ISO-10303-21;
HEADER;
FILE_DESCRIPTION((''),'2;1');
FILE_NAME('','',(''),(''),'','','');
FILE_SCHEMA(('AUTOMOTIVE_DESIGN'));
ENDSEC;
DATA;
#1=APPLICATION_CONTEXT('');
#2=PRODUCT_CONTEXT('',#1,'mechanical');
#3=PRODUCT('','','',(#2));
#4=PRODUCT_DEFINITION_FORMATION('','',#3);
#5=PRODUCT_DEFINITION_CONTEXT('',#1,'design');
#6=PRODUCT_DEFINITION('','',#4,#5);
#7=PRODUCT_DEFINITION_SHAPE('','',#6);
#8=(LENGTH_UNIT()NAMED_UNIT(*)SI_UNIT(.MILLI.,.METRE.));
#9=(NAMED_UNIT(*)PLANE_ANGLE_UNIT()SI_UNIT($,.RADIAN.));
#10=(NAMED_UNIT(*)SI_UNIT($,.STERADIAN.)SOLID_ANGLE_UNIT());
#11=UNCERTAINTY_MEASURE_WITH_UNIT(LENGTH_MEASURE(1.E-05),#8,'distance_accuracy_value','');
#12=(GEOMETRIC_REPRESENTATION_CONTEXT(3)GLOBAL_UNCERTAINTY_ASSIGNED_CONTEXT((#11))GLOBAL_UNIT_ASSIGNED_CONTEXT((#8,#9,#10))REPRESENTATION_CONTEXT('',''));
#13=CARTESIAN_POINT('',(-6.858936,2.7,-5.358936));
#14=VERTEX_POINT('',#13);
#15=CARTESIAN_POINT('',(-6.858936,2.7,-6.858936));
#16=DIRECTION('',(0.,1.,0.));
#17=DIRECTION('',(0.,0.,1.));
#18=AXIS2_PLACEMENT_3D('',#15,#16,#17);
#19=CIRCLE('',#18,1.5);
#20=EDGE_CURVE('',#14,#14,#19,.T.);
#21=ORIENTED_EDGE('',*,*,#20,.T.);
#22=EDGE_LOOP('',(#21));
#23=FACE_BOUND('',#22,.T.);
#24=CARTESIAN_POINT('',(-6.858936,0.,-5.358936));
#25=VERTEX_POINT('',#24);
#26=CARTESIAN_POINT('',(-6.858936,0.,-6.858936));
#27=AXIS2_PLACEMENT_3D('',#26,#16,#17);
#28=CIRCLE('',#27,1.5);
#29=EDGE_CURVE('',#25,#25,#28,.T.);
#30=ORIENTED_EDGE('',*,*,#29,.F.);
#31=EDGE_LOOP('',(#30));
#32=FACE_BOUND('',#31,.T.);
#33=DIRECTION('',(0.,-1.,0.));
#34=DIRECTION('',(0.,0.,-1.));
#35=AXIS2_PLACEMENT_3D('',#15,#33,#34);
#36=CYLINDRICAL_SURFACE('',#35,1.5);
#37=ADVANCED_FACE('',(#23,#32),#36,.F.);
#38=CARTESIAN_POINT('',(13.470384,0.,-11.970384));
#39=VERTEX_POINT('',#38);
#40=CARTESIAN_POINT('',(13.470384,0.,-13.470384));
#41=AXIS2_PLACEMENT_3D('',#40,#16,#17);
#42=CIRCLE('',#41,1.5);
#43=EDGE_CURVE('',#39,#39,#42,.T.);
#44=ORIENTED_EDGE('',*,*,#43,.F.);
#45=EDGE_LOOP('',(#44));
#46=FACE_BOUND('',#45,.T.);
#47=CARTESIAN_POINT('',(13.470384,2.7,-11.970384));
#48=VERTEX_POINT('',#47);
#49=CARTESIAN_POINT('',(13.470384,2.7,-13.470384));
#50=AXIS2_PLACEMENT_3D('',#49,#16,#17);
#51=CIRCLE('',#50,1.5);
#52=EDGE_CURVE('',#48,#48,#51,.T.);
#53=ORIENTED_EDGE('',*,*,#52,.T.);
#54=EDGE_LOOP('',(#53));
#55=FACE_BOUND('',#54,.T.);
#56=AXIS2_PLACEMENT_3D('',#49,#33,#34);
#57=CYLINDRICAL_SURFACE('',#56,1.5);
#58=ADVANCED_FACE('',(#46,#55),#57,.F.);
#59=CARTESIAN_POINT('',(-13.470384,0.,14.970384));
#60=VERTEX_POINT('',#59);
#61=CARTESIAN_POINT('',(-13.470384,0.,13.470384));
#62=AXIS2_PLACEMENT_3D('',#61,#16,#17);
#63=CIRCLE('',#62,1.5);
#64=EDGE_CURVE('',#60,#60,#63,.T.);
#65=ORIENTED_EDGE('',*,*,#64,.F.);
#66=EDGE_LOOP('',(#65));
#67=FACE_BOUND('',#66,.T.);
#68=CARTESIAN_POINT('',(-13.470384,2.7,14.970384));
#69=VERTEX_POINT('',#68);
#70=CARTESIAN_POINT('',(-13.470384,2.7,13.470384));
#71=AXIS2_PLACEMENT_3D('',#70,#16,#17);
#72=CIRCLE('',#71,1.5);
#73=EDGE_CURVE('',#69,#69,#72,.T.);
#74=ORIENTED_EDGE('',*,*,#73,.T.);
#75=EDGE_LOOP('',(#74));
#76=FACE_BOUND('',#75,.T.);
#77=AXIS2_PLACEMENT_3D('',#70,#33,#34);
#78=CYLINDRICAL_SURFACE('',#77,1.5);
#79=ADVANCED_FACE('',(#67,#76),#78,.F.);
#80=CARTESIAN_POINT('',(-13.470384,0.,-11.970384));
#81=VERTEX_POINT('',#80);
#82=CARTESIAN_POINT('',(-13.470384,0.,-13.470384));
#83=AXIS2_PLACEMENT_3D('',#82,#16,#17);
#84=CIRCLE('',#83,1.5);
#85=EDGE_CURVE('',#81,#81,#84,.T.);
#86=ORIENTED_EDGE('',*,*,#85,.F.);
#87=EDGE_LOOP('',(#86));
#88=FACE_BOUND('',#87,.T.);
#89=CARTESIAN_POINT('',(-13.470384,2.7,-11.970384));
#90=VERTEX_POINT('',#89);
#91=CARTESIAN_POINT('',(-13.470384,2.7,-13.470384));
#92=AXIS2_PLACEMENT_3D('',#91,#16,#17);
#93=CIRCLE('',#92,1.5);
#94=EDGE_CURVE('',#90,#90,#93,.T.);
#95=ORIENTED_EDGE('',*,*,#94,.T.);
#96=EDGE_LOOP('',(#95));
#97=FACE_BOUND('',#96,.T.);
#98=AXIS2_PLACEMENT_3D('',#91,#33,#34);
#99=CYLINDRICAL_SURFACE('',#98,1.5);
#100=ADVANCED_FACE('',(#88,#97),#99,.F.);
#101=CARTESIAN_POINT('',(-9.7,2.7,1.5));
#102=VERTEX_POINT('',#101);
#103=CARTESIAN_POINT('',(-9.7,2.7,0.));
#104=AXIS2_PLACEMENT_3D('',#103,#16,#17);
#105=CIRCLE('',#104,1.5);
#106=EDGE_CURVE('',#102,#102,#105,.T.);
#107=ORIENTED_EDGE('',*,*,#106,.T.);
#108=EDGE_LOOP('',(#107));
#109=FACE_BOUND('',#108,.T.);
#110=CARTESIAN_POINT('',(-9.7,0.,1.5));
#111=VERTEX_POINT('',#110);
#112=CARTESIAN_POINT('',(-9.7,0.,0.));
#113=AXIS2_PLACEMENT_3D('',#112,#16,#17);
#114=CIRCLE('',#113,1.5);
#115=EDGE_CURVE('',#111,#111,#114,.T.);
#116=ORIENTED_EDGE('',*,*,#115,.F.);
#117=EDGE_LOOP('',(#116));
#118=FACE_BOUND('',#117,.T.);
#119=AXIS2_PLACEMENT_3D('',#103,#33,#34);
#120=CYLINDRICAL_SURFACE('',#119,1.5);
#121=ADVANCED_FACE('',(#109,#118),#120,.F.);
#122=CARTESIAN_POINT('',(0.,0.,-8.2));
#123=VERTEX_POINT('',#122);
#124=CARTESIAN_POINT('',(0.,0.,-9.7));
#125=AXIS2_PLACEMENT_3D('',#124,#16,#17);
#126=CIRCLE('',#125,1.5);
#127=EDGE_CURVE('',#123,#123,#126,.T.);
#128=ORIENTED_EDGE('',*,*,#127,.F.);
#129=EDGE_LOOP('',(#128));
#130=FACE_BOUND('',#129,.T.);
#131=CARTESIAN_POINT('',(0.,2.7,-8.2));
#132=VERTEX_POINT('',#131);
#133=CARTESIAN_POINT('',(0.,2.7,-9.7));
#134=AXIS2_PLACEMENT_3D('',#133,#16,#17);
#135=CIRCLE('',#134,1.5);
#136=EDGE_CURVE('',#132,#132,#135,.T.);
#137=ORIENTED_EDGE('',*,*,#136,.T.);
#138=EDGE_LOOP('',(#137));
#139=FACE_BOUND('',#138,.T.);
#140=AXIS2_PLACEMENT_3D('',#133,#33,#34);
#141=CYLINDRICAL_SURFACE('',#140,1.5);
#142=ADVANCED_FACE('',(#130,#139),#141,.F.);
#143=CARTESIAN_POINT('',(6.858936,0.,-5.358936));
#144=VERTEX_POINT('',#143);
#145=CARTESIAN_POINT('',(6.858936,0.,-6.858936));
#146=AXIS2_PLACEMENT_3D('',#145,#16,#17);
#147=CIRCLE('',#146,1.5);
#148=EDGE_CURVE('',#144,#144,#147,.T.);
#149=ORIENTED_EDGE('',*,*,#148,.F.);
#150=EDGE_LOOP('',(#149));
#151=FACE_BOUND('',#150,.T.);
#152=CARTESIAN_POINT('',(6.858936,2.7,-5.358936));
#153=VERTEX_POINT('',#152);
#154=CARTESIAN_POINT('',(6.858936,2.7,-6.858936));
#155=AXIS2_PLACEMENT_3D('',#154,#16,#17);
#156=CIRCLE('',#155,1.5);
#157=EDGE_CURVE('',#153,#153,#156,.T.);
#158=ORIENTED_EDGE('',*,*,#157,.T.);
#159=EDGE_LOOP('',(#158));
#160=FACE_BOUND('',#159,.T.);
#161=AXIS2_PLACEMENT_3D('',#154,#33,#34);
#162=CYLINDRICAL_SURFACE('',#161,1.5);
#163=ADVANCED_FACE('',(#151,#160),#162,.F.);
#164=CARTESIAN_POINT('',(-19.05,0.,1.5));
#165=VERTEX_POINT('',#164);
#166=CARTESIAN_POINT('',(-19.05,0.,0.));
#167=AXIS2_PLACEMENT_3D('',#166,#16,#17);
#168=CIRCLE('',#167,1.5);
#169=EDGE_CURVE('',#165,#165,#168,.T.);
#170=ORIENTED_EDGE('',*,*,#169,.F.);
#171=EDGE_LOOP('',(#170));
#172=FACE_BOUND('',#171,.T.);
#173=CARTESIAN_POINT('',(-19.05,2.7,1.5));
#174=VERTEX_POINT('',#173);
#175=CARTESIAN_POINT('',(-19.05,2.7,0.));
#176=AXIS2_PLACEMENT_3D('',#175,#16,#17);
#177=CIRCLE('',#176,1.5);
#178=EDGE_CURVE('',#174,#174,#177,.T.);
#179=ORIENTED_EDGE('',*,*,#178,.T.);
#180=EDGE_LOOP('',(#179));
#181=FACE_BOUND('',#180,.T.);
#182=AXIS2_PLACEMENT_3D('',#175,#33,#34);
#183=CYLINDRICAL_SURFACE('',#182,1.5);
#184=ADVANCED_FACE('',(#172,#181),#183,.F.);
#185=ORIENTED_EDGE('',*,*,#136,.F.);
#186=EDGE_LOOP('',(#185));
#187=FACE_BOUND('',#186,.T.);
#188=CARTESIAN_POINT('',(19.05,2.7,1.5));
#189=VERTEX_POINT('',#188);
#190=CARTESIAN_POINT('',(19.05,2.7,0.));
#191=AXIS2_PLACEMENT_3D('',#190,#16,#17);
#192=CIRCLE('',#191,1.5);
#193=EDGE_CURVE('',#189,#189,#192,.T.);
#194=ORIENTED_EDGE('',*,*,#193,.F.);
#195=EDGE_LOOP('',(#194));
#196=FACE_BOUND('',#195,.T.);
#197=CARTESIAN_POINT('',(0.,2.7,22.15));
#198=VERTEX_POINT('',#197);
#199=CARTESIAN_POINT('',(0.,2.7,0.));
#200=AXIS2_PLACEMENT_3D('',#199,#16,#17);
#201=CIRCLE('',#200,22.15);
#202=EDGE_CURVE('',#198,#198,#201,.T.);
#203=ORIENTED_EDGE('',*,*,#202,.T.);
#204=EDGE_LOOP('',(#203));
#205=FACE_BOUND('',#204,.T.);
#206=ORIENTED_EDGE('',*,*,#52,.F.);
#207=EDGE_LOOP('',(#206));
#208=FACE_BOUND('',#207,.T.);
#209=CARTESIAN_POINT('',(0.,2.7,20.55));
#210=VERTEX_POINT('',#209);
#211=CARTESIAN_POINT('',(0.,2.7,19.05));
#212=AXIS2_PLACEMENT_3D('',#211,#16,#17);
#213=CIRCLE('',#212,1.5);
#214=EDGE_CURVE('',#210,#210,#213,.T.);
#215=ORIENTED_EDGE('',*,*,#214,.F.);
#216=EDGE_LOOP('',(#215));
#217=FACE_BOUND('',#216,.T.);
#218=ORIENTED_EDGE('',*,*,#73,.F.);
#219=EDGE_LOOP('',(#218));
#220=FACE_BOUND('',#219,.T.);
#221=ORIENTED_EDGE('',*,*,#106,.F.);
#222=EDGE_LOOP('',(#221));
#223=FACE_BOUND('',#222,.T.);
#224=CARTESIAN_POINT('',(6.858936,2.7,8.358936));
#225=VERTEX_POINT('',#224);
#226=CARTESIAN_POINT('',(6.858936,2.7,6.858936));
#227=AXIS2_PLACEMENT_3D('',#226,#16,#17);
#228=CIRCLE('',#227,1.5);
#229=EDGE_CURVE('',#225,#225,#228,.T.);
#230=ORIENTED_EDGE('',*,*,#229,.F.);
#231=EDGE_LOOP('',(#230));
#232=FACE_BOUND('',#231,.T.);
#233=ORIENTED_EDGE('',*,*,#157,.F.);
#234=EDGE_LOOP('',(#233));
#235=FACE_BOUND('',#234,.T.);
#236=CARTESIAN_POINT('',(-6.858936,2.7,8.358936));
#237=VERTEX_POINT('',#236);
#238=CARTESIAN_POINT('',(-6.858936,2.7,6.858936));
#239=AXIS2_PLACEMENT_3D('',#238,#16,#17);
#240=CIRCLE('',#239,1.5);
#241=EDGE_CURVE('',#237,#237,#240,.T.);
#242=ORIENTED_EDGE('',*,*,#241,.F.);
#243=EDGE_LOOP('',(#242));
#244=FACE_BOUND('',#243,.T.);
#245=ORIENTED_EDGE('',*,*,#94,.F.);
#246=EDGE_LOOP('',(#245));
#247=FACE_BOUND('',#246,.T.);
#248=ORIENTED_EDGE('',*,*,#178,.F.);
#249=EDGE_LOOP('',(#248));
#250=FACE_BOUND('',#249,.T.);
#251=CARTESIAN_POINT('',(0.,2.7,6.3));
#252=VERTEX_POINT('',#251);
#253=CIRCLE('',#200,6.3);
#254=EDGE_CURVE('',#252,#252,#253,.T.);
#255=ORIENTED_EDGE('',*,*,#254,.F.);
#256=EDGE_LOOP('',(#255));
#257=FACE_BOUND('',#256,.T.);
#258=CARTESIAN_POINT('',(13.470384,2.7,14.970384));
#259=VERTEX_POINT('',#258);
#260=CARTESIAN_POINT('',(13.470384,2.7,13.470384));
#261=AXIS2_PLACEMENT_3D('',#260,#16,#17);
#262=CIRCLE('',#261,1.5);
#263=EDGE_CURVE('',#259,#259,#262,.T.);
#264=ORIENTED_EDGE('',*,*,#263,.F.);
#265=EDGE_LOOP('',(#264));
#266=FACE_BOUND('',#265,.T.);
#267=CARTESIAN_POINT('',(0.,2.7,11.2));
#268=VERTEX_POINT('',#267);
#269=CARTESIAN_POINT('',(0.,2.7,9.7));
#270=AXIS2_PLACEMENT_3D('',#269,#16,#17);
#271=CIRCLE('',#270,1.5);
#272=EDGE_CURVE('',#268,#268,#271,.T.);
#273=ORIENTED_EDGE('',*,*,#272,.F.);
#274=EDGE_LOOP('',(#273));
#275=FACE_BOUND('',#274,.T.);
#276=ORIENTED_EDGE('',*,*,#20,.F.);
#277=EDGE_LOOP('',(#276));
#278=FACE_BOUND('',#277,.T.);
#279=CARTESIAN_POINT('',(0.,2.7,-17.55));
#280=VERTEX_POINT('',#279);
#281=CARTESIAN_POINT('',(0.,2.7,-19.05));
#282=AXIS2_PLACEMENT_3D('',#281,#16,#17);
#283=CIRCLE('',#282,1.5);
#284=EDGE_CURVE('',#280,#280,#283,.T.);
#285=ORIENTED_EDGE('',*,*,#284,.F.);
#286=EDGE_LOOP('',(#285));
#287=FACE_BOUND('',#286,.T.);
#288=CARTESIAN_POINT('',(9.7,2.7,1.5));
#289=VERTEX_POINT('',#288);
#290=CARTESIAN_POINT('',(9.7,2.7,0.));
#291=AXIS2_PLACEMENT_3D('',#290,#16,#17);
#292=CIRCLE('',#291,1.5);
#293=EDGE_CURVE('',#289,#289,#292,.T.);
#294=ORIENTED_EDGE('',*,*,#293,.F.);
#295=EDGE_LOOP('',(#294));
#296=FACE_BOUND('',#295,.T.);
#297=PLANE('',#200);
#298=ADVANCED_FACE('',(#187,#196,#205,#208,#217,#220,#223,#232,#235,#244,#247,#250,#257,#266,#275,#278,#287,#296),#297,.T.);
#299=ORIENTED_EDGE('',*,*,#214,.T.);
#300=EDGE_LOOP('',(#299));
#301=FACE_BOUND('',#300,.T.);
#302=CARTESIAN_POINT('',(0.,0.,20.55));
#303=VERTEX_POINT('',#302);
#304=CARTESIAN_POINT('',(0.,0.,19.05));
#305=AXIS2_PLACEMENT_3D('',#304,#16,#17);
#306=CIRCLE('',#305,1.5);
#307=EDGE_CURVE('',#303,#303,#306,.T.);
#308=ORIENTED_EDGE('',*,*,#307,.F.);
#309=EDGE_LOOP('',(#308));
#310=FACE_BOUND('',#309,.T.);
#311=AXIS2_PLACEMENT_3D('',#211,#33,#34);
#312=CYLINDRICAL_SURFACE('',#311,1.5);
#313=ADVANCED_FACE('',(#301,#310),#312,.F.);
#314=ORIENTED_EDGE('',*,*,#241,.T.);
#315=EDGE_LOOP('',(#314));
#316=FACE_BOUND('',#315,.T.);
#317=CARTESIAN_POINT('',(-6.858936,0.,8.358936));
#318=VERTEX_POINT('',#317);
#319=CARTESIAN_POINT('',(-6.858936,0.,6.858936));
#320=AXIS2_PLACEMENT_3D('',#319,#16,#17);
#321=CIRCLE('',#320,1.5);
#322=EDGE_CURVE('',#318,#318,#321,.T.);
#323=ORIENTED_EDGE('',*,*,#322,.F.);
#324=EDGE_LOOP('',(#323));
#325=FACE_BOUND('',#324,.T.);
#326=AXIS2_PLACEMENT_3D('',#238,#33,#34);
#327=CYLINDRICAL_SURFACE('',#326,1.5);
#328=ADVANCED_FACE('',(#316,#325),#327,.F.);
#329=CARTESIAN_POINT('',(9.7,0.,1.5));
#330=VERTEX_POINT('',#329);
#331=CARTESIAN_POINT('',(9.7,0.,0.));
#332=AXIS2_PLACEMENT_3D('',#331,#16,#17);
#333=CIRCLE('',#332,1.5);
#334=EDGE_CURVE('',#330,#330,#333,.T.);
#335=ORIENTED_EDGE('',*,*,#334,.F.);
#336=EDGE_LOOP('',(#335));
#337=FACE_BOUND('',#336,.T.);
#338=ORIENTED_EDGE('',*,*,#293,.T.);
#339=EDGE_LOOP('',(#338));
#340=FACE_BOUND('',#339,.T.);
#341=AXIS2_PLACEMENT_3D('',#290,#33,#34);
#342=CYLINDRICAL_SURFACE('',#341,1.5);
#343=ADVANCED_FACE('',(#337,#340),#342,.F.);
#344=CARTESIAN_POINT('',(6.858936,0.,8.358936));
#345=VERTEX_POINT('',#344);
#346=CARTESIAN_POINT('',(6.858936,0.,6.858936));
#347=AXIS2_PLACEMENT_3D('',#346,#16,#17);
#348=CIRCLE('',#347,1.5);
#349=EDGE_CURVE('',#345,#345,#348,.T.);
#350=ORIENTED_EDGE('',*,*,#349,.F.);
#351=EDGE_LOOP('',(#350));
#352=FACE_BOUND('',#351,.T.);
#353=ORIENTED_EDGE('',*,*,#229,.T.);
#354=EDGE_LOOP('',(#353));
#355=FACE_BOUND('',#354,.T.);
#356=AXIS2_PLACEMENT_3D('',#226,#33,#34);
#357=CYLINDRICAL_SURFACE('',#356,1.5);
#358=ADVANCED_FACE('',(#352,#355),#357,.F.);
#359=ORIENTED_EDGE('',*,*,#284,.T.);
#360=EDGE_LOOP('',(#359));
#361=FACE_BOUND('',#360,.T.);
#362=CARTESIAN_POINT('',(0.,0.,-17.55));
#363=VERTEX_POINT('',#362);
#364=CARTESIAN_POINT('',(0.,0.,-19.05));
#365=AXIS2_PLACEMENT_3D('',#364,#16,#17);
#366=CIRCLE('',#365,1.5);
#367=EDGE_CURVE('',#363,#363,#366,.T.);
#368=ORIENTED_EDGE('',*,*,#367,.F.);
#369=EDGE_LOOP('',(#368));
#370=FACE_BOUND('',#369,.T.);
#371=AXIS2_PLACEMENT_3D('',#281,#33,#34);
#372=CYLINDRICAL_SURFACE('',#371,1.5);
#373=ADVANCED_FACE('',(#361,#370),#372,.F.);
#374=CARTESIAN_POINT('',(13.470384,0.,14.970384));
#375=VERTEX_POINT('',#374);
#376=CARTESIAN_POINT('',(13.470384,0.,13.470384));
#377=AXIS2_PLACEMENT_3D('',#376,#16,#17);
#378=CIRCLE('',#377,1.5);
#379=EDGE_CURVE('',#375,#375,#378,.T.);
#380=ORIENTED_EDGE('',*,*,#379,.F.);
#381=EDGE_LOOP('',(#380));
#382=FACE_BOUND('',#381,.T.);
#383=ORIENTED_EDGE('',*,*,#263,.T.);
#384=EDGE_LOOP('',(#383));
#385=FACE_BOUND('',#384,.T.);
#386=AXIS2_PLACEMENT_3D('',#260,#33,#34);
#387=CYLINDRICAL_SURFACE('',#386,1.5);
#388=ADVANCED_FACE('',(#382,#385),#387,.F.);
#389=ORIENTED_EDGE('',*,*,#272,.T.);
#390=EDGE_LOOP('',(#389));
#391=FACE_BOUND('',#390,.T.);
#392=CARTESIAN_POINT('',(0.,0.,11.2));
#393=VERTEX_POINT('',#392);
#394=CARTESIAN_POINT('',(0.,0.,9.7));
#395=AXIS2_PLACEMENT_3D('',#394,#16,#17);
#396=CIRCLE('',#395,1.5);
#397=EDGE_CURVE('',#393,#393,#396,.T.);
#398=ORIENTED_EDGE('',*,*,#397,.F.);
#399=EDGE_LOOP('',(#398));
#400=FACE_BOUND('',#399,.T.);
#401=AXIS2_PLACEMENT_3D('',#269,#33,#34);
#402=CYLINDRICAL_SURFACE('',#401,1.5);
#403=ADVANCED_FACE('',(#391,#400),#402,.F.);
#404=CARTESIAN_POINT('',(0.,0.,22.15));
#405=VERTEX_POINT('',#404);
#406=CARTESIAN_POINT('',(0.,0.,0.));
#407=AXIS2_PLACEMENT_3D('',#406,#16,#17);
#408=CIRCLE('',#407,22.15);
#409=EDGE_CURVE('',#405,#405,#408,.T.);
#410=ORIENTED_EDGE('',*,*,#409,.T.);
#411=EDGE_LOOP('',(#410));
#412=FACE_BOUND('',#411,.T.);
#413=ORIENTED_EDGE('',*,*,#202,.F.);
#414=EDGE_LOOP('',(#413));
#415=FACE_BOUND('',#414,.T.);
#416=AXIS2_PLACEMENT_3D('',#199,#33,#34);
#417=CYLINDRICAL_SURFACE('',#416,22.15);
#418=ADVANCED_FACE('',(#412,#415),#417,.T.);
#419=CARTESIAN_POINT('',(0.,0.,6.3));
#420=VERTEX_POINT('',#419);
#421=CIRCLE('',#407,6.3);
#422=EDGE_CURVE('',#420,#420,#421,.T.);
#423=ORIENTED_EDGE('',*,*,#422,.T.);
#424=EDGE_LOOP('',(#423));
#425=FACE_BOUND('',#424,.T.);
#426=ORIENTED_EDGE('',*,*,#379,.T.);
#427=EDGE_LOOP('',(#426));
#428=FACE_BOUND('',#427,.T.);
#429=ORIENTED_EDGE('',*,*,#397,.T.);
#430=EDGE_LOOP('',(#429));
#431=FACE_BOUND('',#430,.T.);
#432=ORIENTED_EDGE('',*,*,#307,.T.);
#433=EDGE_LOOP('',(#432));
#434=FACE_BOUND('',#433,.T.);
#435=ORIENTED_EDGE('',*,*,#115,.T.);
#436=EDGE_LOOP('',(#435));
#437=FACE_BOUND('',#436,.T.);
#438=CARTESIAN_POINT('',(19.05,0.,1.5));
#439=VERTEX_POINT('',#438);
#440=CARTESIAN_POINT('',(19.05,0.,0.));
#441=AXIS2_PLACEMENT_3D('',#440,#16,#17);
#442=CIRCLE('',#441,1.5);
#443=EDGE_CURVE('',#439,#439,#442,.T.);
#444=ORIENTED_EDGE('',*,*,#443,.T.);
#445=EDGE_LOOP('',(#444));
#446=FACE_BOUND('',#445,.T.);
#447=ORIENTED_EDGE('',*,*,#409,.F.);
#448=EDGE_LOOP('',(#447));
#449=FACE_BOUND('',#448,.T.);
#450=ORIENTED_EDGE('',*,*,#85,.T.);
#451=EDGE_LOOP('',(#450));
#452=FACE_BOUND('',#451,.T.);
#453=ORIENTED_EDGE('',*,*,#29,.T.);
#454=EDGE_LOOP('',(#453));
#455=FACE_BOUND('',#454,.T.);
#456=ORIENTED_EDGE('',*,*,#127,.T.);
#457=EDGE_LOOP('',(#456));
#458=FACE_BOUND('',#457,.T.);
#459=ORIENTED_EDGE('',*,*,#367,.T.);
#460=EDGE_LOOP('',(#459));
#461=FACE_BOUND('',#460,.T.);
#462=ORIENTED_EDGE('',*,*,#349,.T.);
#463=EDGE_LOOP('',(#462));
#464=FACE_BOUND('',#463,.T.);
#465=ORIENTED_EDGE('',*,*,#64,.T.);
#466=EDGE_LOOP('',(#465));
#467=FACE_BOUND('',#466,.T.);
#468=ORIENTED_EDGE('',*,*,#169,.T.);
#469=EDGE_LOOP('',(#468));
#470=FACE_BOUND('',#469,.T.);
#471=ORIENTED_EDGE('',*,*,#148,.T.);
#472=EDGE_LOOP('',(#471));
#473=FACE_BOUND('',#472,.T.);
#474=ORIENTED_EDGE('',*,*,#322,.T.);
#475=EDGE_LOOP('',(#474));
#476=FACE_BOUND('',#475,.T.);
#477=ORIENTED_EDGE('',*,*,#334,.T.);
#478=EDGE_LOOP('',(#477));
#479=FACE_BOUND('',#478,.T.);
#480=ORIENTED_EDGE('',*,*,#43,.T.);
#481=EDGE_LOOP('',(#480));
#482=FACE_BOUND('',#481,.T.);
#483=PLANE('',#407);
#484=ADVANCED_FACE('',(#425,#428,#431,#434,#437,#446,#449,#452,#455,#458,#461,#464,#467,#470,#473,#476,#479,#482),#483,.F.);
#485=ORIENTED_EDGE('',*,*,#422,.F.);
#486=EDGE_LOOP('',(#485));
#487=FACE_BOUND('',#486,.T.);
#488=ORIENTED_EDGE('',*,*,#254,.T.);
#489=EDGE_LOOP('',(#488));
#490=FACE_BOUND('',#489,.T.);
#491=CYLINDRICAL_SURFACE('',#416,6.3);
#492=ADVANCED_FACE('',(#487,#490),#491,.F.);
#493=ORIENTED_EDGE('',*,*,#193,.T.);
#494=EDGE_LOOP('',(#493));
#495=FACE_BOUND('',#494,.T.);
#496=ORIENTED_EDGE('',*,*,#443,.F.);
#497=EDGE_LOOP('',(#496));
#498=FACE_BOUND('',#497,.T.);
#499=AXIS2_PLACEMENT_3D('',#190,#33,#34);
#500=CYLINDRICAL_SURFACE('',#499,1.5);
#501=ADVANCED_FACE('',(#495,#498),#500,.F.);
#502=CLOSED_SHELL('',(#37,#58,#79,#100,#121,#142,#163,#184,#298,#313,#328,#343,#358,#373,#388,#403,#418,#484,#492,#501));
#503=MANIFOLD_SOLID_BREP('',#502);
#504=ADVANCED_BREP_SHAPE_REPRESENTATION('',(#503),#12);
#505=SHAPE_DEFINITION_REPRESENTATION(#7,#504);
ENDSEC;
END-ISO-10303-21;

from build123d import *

# Parameters (mm, degrees)
CROQUIS1_R              = 22.15
CROQUIS1_R_2            = 6.3
CROQUIS1_R_3            = 1.5
SALIENTE_EXTRUIR1_DEPTH = 2.7


with BuildPart() as part:
    # Croquis1 → Saliente-Extruir1 (new body)
    with BuildSketch(Plane(origin=(0, 0, 0), x_dir=(1, 0, 0), z_dir=(0, 1, 0))):
        Circle(CROQUIS1_R)
        Circle(CROQUIS1_R_2, mode=Mode.SUBTRACT)
        with Locations((0, 19.05)):
            Circle(CROQUIS1_R_3, mode=Mode.SUBTRACT)
        with Locations((13.470384182, 13.470384182)):
            Circle(CROQUIS1_R_3, mode=Mode.SUBTRACT)
        with Locations((19.05, 0)):
            Circle(CROQUIS1_R_3, mode=Mode.SUBTRACT)
        with Locations((13.470384182, -13.470384182)):
            Circle(CROQUIS1_R_3, mode=Mode.SUBTRACT)
        with Locations((0, -19.05)):
            Circle(CROQUIS1_R_3, mode=Mode.SUBTRACT)
        with Locations((-13.470384182, -13.470384182)):
            Circle(CROQUIS1_R_3, mode=Mode.SUBTRACT)
        with Locations((-19.05, 0)):
            Circle(CROQUIS1_R_3, mode=Mode.SUBTRACT)
        with Locations((-13.470384182, 13.470384182)):
            Circle(CROQUIS1_R_3, mode=Mode.SUBTRACT)
        with Locations((0, 9.7)):
            Circle(CROQUIS1_R_3, mode=Mode.SUBTRACT)
        with Locations((6.858935778, 6.858935778)):
            Circle(CROQUIS1_R_3, mode=Mode.SUBTRACT)
        with Locations((9.7, 0)):
            Circle(CROQUIS1_R_3, mode=Mode.SUBTRACT)
        with Locations((6.858935778, -6.858935778)):
            Circle(CROQUIS1_R_3, mode=Mode.SUBTRACT)
        with Locations((0, -9.7)):
            Circle(CROQUIS1_R_3, mode=Mode.SUBTRACT)
        with Locations((-6.858935778, -6.858935778)):
            Circle(CROQUIS1_R_3, mode=Mode.SUBTRACT)
        with Locations((-9.7, 0)):
            Circle(CROQUIS1_R_3, mode=Mode.SUBTRACT)
        with Locations((-6.858935778, 6.858935778)):
            Circle(CROQUIS1_R_3, mode=Mode.SUBTRACT)
    extrude(amount=SALIENTE_EXTRUIR1_DEPTH)


solid = part.part
